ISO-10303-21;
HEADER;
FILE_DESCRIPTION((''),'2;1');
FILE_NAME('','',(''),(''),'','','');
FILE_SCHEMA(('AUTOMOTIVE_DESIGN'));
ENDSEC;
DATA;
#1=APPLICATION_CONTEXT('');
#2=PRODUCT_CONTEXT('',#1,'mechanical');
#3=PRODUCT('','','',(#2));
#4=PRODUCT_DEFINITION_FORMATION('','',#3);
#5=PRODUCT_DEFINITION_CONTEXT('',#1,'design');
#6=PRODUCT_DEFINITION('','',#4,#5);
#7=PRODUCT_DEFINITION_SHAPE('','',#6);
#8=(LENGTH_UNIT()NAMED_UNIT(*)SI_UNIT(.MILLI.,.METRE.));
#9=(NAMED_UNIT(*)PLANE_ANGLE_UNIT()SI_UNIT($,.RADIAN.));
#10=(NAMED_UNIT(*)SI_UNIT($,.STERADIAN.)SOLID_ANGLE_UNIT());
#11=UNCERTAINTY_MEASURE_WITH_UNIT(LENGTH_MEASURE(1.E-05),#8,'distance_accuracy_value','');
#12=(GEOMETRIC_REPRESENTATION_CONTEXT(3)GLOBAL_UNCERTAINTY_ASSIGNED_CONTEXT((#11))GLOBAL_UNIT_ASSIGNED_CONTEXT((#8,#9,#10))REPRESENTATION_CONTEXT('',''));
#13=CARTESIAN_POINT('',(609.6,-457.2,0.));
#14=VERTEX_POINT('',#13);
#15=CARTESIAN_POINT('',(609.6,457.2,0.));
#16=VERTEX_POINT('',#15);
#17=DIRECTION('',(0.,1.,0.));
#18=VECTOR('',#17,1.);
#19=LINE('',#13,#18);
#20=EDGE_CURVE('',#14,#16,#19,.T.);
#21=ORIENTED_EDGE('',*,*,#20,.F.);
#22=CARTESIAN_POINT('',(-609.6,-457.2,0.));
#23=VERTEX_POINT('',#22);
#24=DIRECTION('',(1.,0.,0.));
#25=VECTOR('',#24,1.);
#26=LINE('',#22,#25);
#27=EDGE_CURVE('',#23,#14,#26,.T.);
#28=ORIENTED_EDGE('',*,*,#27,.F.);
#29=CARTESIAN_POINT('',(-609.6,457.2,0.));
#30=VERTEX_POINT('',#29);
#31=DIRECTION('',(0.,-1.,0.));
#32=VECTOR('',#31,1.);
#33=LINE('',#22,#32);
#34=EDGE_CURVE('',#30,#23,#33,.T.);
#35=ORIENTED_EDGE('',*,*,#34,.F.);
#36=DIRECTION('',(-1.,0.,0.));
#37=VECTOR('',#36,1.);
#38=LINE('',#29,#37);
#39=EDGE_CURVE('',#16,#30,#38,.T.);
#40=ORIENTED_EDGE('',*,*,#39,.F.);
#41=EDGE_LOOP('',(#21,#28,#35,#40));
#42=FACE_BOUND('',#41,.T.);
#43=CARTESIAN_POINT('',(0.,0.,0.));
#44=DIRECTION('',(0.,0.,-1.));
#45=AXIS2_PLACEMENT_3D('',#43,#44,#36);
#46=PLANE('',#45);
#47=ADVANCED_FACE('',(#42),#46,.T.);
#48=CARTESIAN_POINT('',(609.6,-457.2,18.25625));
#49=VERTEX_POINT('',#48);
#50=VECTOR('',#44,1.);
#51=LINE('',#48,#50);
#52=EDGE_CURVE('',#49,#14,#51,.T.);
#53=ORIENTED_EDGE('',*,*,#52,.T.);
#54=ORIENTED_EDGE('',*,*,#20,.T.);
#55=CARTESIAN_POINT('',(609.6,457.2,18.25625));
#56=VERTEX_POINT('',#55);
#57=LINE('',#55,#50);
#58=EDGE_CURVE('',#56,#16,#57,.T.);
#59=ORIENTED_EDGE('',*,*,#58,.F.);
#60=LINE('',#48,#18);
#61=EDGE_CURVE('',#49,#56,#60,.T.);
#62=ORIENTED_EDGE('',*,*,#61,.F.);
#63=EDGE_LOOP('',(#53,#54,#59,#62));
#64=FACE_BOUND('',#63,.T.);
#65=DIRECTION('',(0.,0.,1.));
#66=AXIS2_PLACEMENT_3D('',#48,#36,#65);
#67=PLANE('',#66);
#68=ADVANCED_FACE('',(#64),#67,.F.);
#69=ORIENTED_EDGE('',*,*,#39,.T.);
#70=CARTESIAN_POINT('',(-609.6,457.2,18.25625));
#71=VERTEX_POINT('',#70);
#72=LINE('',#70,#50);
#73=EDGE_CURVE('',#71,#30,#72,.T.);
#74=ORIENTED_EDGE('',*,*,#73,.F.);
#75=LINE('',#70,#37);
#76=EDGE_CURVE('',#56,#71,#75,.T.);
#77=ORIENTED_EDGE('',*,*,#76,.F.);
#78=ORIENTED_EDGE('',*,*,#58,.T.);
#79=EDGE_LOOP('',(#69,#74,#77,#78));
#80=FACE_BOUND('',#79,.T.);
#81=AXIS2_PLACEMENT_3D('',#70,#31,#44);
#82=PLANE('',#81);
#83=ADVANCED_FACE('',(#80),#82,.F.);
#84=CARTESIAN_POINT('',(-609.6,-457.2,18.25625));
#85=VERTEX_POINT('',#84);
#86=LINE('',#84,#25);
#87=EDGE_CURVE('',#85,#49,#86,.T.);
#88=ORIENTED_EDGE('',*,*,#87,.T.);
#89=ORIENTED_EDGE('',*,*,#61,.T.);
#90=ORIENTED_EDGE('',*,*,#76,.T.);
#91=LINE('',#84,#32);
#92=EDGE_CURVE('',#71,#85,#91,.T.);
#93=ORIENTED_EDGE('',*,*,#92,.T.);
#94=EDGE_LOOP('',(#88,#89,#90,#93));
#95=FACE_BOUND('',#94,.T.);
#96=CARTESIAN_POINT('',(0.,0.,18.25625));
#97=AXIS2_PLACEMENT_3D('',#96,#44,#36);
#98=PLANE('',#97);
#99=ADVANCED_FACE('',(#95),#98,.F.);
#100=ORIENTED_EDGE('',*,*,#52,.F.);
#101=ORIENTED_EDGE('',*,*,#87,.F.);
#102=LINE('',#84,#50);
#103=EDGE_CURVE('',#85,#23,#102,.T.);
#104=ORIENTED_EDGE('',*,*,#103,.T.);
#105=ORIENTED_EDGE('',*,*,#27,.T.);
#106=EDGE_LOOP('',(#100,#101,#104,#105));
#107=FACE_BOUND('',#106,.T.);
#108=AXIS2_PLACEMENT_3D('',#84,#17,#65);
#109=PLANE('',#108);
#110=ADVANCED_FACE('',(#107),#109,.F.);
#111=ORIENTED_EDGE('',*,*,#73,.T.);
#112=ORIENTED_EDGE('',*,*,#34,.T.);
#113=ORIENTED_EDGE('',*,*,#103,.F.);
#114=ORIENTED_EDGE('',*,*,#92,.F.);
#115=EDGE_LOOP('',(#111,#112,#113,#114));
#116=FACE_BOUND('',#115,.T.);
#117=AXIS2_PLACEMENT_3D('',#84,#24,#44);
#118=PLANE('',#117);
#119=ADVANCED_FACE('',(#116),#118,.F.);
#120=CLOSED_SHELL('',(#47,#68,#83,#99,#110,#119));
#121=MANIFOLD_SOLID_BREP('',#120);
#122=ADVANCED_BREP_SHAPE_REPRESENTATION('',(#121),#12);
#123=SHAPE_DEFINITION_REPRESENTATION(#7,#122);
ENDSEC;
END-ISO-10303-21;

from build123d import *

# Parameters (mm, degrees)
SKETCH1_W           = 1219.2
SKETCH1_H           = 914.4
BOSS_EXTRUDE1_DEPTH = 18.25625


with BuildPart() as part:
    # Sketch1 → Boss-Extrude1 (new body)
    with BuildSketch(Plane.XY):
        Rectangle(SKETCH1_W, SKETCH1_H)
    extrude(amount=BOSS_EXTRUDE1_DEPTH)


solid = part.part
